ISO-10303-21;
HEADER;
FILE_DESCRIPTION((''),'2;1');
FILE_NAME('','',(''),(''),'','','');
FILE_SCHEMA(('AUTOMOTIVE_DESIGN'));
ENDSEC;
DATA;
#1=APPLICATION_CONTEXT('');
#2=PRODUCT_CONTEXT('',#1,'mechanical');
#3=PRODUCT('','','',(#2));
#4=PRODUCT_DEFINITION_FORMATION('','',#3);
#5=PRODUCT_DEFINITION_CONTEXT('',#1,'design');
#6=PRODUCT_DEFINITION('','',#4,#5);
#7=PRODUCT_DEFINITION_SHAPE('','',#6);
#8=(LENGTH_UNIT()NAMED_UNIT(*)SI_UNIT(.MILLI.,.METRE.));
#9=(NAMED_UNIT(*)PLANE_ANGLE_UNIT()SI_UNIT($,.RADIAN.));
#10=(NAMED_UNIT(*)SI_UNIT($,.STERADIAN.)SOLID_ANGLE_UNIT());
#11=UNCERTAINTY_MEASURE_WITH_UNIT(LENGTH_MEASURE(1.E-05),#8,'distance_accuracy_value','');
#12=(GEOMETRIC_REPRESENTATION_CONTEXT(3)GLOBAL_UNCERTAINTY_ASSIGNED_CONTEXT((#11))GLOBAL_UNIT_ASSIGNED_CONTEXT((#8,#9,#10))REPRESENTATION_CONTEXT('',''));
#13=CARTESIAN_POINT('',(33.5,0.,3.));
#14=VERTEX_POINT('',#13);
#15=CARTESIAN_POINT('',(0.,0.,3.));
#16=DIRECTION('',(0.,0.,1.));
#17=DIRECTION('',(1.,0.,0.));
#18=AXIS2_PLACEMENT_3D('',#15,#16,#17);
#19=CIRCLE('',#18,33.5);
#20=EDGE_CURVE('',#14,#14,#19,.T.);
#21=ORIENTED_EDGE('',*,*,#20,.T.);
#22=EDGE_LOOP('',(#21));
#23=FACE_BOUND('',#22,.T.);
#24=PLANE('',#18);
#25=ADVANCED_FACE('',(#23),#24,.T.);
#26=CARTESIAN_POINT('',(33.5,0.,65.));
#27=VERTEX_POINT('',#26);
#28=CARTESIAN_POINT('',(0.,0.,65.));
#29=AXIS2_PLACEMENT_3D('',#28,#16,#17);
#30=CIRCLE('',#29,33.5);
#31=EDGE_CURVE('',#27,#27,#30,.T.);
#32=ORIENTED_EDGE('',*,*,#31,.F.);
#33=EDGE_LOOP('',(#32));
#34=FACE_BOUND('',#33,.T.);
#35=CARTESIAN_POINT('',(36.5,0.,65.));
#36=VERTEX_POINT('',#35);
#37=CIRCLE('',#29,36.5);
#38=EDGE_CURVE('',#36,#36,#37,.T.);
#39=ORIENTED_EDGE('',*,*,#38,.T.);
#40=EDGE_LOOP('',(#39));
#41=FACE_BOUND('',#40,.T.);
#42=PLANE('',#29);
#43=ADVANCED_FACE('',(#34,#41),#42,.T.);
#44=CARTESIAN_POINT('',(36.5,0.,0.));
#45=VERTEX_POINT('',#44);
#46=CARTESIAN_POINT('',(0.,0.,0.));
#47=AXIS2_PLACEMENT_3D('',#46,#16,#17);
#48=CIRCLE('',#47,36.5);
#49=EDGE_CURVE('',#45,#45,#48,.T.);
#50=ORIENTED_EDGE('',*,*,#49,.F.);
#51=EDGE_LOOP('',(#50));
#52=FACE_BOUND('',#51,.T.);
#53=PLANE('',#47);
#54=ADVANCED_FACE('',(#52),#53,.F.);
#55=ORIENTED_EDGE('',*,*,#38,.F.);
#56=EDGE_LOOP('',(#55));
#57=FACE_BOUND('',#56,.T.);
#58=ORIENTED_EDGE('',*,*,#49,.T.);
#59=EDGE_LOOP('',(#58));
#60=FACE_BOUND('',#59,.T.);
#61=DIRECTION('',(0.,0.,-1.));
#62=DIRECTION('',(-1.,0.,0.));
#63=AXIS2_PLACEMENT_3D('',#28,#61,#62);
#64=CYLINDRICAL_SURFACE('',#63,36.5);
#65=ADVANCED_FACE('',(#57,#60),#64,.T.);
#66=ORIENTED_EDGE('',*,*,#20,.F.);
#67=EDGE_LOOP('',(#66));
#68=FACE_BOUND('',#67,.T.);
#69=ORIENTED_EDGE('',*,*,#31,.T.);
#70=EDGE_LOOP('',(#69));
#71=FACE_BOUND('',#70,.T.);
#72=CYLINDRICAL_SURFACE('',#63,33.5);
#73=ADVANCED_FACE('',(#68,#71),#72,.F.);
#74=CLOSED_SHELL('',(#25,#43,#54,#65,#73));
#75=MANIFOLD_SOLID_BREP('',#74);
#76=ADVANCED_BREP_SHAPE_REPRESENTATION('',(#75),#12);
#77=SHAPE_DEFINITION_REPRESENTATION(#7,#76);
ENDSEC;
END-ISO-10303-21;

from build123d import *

# Parameters (mm, degrees)
ESBO_O1_R                = 36.5
ESBO_O1_R_2              = 33.5
RESSALTO_EXTRUS_O1_DEPTH = 65
ESBO_O1_3_R              = 33.5
RESSALTO_EXTRUS_O2_DEPTH = 3


with BuildPart() as part:
    # Esboço1 → Ressalto-extrusão1 (new body)
    with BuildSketch(Plane.XY):
        Circle(ESBO_O1_R)
        Circle(ESBO_O1_R_2, mode=Mode.SUBTRACT)
    extrude(amount=RESSALTO_EXTRUS_O1_DEPTH)

    # Esboço1<3> → Ressalto-extrusão2 (add)
    with BuildSketch(Plane.XY):
        Circle(ESBO_O1_3_R)
    extrude(amount=RESSALTO_EXTRUS_O2_DEPTH)


solid = part.part
